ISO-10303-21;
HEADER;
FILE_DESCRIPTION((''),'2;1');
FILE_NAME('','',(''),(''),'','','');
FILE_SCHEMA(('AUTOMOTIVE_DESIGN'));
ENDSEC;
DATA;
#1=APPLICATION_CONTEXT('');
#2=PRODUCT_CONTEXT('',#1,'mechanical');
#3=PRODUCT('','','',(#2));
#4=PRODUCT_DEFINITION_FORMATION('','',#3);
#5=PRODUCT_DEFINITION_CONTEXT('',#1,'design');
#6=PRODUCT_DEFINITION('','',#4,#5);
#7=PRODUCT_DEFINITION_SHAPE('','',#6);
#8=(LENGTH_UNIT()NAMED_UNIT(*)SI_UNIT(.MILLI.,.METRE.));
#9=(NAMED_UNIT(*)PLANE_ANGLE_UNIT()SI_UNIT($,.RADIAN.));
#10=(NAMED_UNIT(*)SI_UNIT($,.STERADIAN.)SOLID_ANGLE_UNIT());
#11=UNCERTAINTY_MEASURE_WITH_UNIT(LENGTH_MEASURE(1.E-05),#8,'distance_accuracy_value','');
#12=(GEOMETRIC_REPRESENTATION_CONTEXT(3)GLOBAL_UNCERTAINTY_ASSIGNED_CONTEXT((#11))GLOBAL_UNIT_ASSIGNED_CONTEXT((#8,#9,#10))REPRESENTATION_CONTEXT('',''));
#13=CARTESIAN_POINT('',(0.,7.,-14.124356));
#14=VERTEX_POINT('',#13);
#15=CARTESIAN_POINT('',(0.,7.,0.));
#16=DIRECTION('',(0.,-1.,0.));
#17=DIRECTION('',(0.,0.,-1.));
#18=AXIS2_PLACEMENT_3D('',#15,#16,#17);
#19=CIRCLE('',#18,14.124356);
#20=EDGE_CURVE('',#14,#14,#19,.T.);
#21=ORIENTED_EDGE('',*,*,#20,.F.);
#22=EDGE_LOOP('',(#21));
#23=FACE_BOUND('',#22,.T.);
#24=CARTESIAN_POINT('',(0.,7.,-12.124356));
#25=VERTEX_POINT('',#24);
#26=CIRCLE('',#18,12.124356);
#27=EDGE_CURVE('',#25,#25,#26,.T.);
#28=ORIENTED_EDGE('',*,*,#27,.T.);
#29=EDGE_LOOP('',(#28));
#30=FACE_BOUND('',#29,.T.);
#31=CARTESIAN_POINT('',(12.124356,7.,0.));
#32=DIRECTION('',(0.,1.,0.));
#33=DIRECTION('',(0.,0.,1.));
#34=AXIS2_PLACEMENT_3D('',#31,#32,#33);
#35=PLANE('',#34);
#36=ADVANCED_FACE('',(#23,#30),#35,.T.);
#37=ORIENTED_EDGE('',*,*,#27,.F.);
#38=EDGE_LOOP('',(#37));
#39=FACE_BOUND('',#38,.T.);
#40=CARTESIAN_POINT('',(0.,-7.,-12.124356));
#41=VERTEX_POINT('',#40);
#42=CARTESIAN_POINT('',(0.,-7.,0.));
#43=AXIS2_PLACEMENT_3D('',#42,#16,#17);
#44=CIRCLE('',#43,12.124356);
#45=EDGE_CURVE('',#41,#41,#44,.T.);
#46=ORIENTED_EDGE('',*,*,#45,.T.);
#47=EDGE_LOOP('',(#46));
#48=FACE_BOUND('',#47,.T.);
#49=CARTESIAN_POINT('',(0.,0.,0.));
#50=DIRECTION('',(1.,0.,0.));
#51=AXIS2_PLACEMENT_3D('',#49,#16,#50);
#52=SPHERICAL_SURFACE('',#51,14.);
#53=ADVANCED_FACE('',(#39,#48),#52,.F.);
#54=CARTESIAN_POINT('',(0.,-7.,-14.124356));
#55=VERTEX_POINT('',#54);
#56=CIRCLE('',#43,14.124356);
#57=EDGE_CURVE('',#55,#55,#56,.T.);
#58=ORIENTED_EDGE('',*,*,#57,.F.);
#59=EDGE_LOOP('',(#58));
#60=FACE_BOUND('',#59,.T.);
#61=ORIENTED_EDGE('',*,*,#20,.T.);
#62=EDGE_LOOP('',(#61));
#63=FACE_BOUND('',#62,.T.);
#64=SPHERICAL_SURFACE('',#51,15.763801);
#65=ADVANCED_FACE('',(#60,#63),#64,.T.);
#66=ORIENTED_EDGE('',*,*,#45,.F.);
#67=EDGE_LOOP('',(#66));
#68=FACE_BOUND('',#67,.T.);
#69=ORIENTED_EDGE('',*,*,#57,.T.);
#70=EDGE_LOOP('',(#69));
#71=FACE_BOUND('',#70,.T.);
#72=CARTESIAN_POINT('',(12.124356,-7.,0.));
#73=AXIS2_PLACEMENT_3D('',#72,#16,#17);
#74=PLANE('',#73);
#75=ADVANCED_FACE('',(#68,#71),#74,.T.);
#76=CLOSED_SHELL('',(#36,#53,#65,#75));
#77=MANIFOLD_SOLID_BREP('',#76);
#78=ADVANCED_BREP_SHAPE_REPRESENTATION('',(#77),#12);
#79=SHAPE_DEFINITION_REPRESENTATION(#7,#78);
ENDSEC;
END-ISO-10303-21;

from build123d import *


with BuildPart() as part:
    # Sketch1 → Revolve1 (revolve)
    with BuildSketch(Plane.XY):
        with BuildLine():
            Line((12.124355653, 7), (14.124355653, 7))
            ThreePointArc((14.124355653, 7), (15.76380102, 0), (14.124355653, -7))
            Line((14.124355653, -7), (12.124355653, -7))
            ThreePointArc((12.124355653, -7), (13.522961568, -3.623466631), (14, 0))
            ThreePointArc((14, 0), (13.522961568, 3.623466631), (12.124355653, 7))
        make_face()
    revolve(axis=Axis((0, 0, 0), (0, 1, 0)))


solid = part.part
